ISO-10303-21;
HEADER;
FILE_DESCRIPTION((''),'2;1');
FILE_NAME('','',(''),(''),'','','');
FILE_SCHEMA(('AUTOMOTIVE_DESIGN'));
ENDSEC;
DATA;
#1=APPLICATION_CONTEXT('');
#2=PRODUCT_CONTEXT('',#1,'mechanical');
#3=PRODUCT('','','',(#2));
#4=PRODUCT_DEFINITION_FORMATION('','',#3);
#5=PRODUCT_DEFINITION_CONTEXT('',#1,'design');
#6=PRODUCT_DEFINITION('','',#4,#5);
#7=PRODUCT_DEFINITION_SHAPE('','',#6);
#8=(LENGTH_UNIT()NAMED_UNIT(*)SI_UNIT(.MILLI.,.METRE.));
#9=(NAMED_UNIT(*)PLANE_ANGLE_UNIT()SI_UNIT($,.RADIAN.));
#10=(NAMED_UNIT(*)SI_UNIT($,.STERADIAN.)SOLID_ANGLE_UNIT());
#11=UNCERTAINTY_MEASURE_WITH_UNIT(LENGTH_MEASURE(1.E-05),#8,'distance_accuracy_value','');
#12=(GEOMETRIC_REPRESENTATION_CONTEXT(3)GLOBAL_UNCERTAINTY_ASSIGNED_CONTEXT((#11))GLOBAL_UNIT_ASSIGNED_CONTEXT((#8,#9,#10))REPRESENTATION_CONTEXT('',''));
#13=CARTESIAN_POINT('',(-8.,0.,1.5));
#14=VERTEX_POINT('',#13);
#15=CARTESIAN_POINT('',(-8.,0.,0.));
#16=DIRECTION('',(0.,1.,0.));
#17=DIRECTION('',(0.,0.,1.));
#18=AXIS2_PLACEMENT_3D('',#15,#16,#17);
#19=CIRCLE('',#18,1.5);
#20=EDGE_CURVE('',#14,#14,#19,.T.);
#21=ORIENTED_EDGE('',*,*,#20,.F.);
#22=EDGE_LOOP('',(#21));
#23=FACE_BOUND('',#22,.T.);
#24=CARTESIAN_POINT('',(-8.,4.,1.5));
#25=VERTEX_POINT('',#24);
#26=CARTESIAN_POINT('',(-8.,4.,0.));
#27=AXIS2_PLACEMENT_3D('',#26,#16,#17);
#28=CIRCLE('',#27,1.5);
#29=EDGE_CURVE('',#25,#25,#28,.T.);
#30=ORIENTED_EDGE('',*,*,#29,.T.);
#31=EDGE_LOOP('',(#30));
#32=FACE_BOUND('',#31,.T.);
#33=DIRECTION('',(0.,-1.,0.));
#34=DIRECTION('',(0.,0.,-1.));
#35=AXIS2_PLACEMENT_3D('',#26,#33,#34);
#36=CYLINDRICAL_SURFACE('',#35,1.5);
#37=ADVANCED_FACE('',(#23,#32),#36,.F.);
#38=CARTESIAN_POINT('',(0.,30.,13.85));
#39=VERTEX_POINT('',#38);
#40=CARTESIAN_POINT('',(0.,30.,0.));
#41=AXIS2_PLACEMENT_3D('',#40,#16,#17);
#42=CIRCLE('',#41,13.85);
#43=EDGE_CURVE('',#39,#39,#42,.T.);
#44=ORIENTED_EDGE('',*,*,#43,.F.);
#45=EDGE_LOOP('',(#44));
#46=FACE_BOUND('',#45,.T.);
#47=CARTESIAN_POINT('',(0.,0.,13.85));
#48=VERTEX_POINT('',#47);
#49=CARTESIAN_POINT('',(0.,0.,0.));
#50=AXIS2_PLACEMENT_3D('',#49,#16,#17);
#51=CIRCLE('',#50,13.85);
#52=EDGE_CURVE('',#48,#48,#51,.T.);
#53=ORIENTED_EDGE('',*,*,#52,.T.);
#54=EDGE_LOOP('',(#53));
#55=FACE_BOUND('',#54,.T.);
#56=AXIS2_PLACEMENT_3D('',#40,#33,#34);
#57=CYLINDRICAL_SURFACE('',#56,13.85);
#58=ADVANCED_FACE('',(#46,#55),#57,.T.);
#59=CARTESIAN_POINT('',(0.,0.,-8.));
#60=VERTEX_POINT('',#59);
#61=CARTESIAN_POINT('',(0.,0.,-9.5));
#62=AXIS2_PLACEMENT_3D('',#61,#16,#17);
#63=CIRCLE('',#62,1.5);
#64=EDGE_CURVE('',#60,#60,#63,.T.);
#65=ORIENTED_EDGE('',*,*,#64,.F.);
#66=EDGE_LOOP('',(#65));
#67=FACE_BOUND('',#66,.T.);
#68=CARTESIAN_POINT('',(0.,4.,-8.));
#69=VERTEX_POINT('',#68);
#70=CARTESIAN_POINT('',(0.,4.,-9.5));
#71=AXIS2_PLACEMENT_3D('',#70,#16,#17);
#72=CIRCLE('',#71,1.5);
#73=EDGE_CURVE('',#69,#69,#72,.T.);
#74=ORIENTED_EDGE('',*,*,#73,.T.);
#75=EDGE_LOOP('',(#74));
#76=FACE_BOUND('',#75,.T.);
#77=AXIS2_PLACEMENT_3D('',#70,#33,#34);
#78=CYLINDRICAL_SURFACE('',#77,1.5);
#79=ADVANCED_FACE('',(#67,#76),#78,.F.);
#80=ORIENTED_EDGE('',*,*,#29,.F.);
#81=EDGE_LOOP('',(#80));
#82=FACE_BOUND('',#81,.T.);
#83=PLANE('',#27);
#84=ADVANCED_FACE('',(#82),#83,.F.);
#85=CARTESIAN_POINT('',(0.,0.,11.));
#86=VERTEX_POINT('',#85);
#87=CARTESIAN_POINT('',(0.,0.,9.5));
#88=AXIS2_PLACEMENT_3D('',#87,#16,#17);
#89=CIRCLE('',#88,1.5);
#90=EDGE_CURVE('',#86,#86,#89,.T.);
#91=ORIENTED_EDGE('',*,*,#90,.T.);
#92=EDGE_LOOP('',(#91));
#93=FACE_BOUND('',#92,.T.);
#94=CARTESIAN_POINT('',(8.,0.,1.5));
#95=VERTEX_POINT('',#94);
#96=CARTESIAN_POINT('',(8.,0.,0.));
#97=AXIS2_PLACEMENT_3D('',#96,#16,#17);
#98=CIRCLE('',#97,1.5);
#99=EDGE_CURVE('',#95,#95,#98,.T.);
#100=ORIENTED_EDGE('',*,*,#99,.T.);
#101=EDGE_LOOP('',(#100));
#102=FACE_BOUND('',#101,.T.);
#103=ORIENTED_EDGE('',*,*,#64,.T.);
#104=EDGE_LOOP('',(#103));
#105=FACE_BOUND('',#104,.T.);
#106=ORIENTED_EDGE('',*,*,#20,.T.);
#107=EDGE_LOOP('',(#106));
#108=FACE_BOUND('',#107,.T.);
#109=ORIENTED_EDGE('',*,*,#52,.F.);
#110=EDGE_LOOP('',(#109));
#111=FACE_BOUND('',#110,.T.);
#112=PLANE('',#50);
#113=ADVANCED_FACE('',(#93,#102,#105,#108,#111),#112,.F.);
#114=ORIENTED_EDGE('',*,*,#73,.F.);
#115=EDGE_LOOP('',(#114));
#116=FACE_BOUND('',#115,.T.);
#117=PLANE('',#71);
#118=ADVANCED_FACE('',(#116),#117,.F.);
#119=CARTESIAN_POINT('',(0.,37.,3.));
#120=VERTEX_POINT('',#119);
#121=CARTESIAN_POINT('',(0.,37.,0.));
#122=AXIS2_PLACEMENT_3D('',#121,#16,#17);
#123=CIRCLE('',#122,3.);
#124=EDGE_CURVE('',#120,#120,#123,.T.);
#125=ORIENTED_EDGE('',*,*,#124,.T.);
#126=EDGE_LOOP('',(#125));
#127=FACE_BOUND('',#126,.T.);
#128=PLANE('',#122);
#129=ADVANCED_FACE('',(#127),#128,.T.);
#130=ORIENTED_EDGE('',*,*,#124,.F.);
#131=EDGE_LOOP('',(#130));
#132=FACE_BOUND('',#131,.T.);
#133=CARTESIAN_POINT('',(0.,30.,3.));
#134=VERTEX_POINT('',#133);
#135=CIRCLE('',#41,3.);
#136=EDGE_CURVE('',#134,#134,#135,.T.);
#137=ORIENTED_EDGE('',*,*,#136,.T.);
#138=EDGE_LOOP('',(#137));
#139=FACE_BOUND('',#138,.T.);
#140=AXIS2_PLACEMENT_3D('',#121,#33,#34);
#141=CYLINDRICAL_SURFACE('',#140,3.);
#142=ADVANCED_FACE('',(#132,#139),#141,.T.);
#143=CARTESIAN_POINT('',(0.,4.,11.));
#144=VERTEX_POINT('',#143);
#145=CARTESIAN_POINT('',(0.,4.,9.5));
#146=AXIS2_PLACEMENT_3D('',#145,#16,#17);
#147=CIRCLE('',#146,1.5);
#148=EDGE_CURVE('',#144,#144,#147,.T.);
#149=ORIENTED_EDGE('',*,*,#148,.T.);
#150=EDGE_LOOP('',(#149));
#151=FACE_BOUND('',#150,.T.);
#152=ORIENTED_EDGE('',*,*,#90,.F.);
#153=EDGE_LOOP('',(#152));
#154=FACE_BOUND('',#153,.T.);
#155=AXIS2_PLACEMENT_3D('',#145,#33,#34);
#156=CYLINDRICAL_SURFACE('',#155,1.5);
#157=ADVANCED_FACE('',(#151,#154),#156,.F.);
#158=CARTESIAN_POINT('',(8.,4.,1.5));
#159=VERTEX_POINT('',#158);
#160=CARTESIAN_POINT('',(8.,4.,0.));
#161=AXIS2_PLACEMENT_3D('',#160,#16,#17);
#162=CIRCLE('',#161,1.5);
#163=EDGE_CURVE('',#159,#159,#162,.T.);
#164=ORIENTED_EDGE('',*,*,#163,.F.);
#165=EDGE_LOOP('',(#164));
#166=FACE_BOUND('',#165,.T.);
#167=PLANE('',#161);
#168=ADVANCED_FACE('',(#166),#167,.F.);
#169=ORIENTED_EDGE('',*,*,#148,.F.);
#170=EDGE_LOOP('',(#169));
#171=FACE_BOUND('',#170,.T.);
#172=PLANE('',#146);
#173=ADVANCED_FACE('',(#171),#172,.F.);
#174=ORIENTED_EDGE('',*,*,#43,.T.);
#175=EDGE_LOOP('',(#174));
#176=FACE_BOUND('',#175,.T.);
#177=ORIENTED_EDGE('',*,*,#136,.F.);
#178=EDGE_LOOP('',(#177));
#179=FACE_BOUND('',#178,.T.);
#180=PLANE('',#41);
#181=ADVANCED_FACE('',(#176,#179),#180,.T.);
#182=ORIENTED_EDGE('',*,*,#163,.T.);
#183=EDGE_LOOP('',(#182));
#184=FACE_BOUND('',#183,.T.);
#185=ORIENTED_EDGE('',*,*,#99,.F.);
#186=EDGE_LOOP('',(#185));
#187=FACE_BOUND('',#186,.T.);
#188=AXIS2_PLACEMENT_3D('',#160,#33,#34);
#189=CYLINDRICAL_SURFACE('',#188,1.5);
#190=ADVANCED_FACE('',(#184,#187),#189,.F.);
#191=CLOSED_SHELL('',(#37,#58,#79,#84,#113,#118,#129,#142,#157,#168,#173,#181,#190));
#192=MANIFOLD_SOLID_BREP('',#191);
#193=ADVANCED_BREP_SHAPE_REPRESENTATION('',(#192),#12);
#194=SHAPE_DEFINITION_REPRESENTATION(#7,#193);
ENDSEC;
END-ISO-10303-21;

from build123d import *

# Parameters (mm, degrees)
SKETCH1_R           = 13.85
BOSS_EXTRUDE1_DEPTH = 30
SKETCH2_R           = 3
BOSS_EXTRUDE2_DEPTH = 7
SKETCH3_R           = 1.5
CUT_EXTRUDE1_DEPTH  = 4


with BuildPart() as part:
    # Sketch1 → Boss-Extrude1 (new body)
    with BuildSketch(Plane(origin=(0, 0, 0), x_dir=(1, 0, 0), z_dir=(0, 1, 0))):
        Circle(SKETCH1_R)
    extrude(amount=BOSS_EXTRUDE1_DEPTH)

    # Sketch2 → Boss-Extrude2 (add)
    with BuildSketch(Plane(origin=(0, 30, 0), x_dir=(1, 0, 0), z_dir=(0, 1, 0))):
        Circle(SKETCH2_R)
    extrude(amount=BOSS_EXTRUDE2_DEPTH)

    # Sketch3 → Cut-Extrude1 (cut)
    with BuildSketch(Plane(origin=(0, 0, 0), x_dir=(1, 0, 0), z_dir=(0, 1, 0))):
        with Locations((8, 0)):
            Circle(SKETCH3_R)
        with Locations((-8, 0)):
            Circle(SKETCH3_R)
        with Locations((0, 9.5)):
            Circle(SKETCH3_R)
        with Locations((0, -9.5)):
            Circle(SKETCH3_R)
    extrude(amount=CUT_EXTRUDE1_DEPTH, mode=Mode.SUBTRACT)


solid = part.part
